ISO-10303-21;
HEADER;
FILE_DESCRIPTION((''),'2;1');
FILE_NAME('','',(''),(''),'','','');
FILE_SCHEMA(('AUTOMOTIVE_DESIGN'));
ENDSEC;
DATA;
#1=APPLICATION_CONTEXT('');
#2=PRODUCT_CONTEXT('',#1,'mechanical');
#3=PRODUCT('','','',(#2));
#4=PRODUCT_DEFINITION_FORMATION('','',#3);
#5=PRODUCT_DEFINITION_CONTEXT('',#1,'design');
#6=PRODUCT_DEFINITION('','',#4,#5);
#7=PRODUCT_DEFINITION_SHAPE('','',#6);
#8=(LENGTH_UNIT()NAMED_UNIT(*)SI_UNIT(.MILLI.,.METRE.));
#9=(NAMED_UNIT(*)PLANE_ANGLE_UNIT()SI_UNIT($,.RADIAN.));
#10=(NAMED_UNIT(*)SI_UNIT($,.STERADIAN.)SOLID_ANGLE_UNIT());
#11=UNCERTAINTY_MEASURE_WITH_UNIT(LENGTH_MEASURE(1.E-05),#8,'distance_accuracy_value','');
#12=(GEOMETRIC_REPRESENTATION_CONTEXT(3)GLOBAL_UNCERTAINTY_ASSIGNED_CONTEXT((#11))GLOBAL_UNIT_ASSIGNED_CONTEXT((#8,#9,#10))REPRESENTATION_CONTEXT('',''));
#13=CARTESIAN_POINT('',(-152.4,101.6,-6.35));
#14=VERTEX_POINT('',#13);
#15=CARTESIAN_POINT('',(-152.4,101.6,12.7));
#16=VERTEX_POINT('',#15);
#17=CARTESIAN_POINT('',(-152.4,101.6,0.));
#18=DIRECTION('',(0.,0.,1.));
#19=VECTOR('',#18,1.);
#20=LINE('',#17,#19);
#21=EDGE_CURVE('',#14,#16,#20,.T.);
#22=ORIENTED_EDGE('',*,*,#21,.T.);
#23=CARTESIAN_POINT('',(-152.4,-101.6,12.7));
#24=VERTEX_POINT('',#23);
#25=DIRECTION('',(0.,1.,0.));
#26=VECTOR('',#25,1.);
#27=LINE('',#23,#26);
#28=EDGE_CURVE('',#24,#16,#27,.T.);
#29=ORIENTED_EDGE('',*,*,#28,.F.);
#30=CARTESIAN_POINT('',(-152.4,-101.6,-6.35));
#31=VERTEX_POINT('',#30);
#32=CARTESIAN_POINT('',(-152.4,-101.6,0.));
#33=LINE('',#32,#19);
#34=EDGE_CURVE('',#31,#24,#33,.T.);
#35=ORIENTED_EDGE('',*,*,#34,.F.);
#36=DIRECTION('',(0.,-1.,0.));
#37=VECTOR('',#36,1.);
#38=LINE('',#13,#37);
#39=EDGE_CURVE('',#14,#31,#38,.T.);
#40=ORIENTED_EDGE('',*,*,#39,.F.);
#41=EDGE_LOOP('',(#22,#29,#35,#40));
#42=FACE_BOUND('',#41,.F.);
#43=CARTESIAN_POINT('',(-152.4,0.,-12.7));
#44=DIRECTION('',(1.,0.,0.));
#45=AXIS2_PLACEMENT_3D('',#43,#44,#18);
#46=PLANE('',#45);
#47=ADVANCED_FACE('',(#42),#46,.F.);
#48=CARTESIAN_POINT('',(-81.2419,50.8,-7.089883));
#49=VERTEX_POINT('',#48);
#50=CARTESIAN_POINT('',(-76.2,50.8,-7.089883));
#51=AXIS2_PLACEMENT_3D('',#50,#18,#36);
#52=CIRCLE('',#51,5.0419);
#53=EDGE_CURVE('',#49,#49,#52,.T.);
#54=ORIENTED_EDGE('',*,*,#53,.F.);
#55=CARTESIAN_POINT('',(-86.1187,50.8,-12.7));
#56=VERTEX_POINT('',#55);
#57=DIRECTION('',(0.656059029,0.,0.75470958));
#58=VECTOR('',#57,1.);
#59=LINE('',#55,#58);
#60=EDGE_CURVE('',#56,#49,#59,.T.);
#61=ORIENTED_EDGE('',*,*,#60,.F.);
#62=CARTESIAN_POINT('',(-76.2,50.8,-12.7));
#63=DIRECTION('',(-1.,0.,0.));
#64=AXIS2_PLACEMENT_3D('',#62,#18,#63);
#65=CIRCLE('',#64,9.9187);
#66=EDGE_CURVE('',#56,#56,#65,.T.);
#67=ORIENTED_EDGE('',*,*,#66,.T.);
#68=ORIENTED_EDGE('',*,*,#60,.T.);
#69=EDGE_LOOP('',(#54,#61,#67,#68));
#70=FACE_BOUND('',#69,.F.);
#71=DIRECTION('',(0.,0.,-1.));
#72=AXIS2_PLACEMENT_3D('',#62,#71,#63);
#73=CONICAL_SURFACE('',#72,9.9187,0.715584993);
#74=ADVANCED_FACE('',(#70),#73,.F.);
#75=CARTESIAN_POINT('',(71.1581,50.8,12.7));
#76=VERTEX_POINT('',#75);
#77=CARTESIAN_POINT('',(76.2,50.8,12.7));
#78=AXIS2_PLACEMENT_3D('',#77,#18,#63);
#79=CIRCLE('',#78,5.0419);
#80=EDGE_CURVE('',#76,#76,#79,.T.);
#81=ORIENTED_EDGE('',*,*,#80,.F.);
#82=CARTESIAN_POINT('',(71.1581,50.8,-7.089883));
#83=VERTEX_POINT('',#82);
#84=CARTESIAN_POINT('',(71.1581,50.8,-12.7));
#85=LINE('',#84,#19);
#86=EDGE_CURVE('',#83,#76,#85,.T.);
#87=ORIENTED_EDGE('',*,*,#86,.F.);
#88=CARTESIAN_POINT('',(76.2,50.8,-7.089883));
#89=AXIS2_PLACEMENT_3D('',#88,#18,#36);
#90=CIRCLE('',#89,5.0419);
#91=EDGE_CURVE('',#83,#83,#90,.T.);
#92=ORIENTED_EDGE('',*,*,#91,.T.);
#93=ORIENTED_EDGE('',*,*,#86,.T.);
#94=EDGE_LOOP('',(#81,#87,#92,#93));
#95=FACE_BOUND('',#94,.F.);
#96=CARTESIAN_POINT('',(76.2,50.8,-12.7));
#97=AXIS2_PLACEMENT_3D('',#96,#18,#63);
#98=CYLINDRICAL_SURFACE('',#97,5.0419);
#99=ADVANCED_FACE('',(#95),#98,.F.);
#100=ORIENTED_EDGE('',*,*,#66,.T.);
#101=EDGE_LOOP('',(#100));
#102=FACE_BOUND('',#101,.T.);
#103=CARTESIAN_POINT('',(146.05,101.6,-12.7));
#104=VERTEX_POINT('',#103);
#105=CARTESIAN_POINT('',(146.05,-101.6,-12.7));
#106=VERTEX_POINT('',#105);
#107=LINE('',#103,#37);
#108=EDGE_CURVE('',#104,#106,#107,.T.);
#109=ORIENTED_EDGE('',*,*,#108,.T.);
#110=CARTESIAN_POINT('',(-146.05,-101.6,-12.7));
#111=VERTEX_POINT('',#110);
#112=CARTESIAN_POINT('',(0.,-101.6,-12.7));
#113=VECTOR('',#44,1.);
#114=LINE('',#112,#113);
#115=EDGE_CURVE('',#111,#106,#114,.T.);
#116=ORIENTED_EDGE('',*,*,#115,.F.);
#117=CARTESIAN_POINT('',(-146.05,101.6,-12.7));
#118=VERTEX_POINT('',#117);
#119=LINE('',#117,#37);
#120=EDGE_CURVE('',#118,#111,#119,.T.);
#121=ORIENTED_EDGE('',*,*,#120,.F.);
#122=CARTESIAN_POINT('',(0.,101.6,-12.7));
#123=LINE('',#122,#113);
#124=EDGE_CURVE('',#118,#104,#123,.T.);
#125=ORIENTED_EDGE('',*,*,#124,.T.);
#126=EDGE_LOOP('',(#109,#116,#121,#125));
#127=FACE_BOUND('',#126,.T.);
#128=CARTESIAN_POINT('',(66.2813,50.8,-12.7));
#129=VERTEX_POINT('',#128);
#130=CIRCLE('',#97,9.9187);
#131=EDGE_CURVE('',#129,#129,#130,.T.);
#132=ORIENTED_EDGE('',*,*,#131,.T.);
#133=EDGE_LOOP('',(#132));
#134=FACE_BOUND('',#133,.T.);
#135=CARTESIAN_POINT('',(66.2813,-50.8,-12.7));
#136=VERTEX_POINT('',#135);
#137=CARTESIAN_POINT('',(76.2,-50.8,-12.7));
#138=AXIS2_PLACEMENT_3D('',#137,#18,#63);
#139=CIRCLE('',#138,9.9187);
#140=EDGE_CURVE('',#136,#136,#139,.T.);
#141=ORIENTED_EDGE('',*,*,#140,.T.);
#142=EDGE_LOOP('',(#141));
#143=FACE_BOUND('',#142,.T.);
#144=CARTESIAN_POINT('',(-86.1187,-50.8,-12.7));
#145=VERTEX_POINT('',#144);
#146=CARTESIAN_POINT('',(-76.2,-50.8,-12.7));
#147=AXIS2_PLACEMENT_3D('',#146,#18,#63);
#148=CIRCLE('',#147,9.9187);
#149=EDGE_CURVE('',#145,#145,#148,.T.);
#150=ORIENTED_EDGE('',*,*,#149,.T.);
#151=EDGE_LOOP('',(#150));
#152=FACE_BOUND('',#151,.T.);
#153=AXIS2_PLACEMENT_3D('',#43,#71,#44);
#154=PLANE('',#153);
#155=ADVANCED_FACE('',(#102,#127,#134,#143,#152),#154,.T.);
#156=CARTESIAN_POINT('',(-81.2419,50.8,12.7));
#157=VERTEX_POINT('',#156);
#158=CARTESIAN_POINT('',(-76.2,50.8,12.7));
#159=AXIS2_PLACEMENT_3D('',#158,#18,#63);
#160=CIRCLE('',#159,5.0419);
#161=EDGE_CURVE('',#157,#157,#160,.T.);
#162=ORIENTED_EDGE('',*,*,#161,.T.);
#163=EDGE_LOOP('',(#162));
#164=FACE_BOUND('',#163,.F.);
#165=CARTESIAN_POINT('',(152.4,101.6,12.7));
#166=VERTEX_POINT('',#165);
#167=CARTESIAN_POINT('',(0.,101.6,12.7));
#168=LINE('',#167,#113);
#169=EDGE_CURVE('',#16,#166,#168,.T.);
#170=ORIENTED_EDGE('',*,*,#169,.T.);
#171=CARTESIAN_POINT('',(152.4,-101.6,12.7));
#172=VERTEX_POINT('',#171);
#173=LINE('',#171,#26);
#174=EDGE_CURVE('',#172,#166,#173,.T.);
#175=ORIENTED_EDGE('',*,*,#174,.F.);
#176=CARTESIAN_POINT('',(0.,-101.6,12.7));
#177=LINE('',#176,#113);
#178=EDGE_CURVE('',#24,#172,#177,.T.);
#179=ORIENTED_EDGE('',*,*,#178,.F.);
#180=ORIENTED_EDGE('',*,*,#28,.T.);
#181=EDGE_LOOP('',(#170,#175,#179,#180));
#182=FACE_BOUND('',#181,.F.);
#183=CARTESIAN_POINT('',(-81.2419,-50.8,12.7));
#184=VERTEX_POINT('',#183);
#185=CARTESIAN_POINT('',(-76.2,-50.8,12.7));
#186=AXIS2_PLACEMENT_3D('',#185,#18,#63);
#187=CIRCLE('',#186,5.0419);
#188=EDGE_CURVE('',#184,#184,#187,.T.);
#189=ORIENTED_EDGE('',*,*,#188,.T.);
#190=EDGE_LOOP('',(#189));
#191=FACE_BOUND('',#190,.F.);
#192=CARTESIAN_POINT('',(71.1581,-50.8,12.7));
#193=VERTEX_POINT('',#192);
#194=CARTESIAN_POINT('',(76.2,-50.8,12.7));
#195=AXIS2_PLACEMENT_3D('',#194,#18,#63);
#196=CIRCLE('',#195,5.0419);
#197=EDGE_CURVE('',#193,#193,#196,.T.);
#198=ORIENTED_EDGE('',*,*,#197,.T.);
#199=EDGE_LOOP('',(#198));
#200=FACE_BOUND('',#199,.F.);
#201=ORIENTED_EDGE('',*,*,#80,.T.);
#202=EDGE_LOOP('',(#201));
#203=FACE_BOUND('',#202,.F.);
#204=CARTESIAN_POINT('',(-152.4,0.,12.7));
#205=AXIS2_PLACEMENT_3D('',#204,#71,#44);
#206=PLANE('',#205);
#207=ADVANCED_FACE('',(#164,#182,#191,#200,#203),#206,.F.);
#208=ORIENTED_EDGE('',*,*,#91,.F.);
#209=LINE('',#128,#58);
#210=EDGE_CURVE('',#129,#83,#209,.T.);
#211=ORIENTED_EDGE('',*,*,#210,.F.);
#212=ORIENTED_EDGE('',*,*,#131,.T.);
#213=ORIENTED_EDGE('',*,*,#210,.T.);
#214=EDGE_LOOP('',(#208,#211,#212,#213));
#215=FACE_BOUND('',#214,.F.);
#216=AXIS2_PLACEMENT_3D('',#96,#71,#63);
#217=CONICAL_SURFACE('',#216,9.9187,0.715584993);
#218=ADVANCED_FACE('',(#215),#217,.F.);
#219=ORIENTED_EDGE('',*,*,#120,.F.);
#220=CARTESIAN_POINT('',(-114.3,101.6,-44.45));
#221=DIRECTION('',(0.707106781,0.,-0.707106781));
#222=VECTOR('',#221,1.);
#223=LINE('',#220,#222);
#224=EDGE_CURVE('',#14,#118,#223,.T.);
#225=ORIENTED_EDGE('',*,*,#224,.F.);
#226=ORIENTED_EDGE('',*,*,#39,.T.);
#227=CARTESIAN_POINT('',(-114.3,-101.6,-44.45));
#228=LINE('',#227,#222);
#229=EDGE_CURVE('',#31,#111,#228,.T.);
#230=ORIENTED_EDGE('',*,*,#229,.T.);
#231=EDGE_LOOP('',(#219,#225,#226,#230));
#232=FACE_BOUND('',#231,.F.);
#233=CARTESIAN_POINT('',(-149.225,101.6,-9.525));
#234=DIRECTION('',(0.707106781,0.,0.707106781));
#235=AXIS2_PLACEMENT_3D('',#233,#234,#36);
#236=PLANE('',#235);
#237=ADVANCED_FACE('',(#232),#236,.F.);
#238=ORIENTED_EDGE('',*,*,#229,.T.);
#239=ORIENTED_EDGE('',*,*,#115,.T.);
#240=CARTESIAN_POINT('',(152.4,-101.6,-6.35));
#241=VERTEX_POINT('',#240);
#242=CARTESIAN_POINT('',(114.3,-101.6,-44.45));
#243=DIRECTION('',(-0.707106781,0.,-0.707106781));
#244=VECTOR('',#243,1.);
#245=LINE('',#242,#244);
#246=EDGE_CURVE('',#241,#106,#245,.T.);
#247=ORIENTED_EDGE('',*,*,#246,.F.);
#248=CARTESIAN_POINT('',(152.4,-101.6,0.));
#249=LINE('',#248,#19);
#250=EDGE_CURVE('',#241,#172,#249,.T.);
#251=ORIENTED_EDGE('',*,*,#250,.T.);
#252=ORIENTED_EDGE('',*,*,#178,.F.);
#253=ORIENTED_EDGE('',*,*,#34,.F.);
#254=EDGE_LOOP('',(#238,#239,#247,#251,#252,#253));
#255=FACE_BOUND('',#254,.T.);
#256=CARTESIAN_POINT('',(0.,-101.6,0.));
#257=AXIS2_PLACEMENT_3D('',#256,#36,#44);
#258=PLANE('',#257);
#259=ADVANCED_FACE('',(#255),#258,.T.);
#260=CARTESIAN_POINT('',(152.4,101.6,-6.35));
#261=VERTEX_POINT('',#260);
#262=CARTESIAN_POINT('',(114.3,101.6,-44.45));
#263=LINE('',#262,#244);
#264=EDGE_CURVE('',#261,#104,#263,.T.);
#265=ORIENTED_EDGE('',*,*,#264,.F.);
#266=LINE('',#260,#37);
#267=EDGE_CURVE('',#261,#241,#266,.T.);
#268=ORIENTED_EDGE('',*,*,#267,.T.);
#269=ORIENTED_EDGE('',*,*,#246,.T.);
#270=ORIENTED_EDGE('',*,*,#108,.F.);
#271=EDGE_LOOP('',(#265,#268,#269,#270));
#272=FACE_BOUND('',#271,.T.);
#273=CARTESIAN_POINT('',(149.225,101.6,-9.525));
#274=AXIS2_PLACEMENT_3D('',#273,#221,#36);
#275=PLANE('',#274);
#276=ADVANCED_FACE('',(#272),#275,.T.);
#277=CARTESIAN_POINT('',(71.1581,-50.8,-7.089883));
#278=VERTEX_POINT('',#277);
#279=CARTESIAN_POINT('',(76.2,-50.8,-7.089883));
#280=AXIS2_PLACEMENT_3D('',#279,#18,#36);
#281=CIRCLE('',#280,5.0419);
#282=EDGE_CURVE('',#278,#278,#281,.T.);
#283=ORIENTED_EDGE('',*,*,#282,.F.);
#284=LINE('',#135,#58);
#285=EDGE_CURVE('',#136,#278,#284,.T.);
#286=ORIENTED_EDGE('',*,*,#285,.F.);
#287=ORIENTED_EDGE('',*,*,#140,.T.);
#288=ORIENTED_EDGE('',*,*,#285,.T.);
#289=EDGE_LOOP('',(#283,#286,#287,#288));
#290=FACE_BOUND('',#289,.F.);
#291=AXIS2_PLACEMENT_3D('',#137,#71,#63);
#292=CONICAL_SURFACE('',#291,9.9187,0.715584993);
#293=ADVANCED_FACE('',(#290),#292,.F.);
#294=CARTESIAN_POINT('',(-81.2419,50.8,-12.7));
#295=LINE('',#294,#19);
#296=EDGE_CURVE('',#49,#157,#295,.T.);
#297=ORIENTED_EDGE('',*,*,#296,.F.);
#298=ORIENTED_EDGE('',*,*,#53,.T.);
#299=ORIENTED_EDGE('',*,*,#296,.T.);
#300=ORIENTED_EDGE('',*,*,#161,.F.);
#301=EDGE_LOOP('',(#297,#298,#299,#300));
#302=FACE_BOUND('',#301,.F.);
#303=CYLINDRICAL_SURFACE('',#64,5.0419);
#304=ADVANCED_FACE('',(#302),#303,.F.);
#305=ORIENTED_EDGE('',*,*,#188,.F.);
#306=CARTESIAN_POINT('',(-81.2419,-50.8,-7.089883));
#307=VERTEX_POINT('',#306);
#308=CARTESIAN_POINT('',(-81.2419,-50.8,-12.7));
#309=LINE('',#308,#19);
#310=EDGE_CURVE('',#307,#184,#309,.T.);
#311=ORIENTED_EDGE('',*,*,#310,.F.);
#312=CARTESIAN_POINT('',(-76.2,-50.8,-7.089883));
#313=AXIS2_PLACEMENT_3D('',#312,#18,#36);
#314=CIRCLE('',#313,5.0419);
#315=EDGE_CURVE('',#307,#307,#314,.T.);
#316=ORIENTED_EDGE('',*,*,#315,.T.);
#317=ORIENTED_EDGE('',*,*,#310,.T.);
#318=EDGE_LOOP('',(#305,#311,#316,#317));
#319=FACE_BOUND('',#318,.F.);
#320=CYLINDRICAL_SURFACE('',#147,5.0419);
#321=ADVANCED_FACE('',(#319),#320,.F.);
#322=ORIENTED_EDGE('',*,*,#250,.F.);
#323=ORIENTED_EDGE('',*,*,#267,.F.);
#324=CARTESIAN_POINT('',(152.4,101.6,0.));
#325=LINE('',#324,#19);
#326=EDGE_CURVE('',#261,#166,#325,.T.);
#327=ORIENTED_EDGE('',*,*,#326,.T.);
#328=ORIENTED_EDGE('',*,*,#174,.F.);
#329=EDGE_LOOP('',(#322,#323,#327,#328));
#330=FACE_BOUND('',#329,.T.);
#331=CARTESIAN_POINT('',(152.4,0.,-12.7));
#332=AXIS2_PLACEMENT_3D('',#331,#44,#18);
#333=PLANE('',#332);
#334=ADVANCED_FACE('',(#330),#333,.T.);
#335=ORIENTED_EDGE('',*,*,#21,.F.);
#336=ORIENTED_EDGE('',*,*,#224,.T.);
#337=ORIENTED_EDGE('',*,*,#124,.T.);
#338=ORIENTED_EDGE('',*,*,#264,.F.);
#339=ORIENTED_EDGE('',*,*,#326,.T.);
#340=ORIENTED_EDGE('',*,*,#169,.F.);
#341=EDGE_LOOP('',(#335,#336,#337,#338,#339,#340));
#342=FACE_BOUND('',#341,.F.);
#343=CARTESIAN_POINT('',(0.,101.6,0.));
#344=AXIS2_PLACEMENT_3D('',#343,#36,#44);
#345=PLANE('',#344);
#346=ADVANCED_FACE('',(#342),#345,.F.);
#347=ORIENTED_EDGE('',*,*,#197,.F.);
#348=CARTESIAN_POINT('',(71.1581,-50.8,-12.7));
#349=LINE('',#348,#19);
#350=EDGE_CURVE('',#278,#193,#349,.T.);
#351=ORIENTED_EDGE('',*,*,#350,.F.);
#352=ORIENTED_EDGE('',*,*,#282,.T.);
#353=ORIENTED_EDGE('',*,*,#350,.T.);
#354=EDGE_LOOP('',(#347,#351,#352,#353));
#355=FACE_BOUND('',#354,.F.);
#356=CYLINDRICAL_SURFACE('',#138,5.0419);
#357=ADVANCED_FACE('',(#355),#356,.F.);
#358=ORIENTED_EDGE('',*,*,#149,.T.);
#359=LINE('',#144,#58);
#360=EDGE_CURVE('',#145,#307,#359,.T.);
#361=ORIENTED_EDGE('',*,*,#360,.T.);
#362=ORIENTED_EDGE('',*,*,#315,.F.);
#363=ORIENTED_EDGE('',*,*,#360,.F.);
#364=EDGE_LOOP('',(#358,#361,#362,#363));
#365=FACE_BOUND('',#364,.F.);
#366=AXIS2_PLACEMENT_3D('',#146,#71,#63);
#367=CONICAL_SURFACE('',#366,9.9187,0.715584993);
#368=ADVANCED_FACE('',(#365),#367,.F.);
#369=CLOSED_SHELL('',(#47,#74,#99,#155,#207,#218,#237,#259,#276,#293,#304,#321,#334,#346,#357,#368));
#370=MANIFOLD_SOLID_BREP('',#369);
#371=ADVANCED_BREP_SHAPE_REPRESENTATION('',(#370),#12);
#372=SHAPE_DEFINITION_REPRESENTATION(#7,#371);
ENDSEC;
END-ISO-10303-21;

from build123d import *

# Parameters (mm, degrees)
F0_W           = 304.8
F0_H           = 25.4
F1_DEPTH       = 101.6
F2_SIZE        = 6.35
F4_D           = 10.0838
F4_CSINK_D     = 19.8374
F4_CSINK_ANGLE = 82


with BuildPart() as f1:
    # F0 (on Front) → F1 (new body, symmetric)
    with BuildSketch(Plane.XZ):
        Rectangle(F0_W, F0_H)
    extrude(amount=F1_DEPTH, both=True)

    # F2
    f2_edges = [f1.edges().sort_by_distance(p)[0] for p in [
        (152.4, 0, -12.7),
        (-152.4, 0, -12.7),
    ]]
    chamfer(f2_edges, length=F2_SIZE)

    # F4 (through all)
    with Locations(Plane(origin=(0, 0, -12.7), x_dir=(1, 0, 0), z_dir=(0, 0, -1))):
        with Locations((-76.2, 50.8), (76.2, 50.8), (76.2, -50.8), (-76.2, -50.8)):
            CounterSinkHole(F4_D / 2, F4_CSINK_D / 2, counter_sink_angle=F4_CSINK_ANGLE)


solid = f1.part
